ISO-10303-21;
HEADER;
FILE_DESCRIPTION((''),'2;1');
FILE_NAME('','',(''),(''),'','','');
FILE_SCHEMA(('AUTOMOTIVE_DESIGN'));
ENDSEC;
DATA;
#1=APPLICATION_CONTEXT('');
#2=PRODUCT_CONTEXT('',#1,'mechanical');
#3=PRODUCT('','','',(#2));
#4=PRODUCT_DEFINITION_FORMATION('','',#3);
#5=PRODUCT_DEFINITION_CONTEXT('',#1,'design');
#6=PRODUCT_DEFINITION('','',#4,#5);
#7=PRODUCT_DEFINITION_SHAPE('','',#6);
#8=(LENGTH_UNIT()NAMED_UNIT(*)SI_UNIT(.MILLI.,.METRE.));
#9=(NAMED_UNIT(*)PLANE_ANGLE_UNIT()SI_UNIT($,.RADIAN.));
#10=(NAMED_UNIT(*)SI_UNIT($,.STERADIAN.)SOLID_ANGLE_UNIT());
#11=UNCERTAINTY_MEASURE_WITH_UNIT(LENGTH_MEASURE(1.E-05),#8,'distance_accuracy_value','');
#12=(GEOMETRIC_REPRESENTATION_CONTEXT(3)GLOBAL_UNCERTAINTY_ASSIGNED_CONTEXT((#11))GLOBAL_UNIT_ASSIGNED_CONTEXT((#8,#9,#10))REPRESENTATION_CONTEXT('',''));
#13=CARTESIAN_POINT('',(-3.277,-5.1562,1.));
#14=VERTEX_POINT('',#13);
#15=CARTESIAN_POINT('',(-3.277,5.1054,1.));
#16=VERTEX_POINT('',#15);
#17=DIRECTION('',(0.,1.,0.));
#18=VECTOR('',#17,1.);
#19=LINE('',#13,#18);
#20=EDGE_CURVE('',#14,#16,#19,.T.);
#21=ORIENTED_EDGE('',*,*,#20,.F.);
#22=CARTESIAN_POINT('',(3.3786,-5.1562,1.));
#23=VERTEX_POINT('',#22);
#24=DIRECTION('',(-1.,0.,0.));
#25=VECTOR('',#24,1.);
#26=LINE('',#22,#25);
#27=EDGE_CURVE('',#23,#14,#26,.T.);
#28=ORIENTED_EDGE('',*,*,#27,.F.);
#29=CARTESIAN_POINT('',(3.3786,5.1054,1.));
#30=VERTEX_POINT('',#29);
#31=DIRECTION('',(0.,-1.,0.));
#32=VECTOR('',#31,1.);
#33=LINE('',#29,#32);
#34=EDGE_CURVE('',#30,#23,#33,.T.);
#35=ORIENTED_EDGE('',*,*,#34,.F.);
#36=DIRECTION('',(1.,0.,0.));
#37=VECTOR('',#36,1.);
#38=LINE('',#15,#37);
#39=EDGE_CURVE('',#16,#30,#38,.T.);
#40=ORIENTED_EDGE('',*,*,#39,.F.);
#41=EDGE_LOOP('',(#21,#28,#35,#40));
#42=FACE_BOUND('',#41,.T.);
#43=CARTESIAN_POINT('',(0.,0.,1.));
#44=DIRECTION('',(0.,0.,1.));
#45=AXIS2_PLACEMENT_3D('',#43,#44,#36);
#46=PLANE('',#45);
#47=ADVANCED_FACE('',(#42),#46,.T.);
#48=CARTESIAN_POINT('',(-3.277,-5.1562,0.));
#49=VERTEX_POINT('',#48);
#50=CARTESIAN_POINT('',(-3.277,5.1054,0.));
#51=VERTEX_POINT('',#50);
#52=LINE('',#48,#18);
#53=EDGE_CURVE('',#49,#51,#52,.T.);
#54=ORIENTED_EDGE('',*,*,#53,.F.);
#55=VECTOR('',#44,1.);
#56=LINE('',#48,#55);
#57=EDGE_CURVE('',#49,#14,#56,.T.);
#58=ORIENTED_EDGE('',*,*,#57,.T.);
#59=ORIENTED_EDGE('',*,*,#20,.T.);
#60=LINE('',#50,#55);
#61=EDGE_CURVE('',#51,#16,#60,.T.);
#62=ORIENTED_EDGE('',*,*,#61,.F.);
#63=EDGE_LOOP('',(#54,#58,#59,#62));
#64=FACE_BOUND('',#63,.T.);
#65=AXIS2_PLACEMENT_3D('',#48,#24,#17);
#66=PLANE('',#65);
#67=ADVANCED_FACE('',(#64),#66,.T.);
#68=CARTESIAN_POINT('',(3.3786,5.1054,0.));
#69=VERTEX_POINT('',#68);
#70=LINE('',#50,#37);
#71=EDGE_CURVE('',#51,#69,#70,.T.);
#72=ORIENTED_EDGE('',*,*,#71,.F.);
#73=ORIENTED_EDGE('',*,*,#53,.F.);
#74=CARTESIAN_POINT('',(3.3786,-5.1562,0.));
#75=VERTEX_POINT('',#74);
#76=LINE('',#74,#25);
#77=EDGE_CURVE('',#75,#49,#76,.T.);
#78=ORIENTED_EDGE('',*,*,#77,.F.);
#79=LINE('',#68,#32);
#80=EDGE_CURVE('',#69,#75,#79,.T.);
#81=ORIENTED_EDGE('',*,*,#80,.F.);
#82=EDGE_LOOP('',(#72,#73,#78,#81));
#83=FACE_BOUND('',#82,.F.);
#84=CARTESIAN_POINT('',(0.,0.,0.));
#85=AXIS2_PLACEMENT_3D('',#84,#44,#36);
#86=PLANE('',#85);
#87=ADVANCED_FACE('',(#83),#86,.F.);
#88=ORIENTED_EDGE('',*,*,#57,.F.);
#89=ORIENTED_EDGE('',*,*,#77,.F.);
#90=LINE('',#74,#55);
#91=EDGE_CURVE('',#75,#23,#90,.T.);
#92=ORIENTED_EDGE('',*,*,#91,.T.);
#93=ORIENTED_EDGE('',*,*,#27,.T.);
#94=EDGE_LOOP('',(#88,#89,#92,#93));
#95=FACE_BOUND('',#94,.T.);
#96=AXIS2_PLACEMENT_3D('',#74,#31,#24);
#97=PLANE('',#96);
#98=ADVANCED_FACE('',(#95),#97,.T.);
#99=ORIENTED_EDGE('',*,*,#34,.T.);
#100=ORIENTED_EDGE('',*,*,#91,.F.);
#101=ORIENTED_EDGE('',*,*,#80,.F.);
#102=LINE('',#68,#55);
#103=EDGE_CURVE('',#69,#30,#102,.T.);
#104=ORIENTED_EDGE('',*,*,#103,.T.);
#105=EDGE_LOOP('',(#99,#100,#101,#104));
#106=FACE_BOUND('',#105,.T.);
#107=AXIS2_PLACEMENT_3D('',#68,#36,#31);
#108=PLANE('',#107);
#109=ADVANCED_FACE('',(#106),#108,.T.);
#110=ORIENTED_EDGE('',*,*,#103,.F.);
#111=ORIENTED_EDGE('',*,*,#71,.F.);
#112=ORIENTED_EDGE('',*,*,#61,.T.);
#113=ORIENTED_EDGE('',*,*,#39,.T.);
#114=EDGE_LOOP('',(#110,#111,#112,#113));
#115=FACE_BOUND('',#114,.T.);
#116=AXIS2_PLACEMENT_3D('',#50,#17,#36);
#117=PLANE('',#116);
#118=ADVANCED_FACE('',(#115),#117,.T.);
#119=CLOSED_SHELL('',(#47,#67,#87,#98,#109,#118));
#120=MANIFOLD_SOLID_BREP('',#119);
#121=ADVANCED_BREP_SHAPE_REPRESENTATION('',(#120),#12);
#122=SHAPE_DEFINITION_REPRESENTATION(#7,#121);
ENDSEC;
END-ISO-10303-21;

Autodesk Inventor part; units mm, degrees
ref_plane "YZ Plane" through (0, 0, 0) normal (1, 0, 0) x (0, 1, 0)
ref_plane "XZ Plane" through (0, 0, 0) normal (0, 1, 0) x (-1, 0, 0)
ref_plane "XY Plane" through (0, 0, 0) normal (0, 0, 1) x (1, 0, 0)
sketch "TO252, 7805DT_28" plane through (0, 0, 0) normal (0, 0, 1) x (1, 0, 0)
  line L0 (-3.277, 5.1054) -> (3.3786, 5.1054)
  line L1 (3.3786, 5.1054) -> (3.3786, -5.1562)
  line L2 (3.3786, -5.1562) -> (-3.277, -5.1562)
  line L3 (-3.277, -5.1562) -> (-3.277, 5.1054)
extrude "Extrusion1" add sketch "TO252, 7805DT_28" along normal blind 1
properties part number "7805DT"
